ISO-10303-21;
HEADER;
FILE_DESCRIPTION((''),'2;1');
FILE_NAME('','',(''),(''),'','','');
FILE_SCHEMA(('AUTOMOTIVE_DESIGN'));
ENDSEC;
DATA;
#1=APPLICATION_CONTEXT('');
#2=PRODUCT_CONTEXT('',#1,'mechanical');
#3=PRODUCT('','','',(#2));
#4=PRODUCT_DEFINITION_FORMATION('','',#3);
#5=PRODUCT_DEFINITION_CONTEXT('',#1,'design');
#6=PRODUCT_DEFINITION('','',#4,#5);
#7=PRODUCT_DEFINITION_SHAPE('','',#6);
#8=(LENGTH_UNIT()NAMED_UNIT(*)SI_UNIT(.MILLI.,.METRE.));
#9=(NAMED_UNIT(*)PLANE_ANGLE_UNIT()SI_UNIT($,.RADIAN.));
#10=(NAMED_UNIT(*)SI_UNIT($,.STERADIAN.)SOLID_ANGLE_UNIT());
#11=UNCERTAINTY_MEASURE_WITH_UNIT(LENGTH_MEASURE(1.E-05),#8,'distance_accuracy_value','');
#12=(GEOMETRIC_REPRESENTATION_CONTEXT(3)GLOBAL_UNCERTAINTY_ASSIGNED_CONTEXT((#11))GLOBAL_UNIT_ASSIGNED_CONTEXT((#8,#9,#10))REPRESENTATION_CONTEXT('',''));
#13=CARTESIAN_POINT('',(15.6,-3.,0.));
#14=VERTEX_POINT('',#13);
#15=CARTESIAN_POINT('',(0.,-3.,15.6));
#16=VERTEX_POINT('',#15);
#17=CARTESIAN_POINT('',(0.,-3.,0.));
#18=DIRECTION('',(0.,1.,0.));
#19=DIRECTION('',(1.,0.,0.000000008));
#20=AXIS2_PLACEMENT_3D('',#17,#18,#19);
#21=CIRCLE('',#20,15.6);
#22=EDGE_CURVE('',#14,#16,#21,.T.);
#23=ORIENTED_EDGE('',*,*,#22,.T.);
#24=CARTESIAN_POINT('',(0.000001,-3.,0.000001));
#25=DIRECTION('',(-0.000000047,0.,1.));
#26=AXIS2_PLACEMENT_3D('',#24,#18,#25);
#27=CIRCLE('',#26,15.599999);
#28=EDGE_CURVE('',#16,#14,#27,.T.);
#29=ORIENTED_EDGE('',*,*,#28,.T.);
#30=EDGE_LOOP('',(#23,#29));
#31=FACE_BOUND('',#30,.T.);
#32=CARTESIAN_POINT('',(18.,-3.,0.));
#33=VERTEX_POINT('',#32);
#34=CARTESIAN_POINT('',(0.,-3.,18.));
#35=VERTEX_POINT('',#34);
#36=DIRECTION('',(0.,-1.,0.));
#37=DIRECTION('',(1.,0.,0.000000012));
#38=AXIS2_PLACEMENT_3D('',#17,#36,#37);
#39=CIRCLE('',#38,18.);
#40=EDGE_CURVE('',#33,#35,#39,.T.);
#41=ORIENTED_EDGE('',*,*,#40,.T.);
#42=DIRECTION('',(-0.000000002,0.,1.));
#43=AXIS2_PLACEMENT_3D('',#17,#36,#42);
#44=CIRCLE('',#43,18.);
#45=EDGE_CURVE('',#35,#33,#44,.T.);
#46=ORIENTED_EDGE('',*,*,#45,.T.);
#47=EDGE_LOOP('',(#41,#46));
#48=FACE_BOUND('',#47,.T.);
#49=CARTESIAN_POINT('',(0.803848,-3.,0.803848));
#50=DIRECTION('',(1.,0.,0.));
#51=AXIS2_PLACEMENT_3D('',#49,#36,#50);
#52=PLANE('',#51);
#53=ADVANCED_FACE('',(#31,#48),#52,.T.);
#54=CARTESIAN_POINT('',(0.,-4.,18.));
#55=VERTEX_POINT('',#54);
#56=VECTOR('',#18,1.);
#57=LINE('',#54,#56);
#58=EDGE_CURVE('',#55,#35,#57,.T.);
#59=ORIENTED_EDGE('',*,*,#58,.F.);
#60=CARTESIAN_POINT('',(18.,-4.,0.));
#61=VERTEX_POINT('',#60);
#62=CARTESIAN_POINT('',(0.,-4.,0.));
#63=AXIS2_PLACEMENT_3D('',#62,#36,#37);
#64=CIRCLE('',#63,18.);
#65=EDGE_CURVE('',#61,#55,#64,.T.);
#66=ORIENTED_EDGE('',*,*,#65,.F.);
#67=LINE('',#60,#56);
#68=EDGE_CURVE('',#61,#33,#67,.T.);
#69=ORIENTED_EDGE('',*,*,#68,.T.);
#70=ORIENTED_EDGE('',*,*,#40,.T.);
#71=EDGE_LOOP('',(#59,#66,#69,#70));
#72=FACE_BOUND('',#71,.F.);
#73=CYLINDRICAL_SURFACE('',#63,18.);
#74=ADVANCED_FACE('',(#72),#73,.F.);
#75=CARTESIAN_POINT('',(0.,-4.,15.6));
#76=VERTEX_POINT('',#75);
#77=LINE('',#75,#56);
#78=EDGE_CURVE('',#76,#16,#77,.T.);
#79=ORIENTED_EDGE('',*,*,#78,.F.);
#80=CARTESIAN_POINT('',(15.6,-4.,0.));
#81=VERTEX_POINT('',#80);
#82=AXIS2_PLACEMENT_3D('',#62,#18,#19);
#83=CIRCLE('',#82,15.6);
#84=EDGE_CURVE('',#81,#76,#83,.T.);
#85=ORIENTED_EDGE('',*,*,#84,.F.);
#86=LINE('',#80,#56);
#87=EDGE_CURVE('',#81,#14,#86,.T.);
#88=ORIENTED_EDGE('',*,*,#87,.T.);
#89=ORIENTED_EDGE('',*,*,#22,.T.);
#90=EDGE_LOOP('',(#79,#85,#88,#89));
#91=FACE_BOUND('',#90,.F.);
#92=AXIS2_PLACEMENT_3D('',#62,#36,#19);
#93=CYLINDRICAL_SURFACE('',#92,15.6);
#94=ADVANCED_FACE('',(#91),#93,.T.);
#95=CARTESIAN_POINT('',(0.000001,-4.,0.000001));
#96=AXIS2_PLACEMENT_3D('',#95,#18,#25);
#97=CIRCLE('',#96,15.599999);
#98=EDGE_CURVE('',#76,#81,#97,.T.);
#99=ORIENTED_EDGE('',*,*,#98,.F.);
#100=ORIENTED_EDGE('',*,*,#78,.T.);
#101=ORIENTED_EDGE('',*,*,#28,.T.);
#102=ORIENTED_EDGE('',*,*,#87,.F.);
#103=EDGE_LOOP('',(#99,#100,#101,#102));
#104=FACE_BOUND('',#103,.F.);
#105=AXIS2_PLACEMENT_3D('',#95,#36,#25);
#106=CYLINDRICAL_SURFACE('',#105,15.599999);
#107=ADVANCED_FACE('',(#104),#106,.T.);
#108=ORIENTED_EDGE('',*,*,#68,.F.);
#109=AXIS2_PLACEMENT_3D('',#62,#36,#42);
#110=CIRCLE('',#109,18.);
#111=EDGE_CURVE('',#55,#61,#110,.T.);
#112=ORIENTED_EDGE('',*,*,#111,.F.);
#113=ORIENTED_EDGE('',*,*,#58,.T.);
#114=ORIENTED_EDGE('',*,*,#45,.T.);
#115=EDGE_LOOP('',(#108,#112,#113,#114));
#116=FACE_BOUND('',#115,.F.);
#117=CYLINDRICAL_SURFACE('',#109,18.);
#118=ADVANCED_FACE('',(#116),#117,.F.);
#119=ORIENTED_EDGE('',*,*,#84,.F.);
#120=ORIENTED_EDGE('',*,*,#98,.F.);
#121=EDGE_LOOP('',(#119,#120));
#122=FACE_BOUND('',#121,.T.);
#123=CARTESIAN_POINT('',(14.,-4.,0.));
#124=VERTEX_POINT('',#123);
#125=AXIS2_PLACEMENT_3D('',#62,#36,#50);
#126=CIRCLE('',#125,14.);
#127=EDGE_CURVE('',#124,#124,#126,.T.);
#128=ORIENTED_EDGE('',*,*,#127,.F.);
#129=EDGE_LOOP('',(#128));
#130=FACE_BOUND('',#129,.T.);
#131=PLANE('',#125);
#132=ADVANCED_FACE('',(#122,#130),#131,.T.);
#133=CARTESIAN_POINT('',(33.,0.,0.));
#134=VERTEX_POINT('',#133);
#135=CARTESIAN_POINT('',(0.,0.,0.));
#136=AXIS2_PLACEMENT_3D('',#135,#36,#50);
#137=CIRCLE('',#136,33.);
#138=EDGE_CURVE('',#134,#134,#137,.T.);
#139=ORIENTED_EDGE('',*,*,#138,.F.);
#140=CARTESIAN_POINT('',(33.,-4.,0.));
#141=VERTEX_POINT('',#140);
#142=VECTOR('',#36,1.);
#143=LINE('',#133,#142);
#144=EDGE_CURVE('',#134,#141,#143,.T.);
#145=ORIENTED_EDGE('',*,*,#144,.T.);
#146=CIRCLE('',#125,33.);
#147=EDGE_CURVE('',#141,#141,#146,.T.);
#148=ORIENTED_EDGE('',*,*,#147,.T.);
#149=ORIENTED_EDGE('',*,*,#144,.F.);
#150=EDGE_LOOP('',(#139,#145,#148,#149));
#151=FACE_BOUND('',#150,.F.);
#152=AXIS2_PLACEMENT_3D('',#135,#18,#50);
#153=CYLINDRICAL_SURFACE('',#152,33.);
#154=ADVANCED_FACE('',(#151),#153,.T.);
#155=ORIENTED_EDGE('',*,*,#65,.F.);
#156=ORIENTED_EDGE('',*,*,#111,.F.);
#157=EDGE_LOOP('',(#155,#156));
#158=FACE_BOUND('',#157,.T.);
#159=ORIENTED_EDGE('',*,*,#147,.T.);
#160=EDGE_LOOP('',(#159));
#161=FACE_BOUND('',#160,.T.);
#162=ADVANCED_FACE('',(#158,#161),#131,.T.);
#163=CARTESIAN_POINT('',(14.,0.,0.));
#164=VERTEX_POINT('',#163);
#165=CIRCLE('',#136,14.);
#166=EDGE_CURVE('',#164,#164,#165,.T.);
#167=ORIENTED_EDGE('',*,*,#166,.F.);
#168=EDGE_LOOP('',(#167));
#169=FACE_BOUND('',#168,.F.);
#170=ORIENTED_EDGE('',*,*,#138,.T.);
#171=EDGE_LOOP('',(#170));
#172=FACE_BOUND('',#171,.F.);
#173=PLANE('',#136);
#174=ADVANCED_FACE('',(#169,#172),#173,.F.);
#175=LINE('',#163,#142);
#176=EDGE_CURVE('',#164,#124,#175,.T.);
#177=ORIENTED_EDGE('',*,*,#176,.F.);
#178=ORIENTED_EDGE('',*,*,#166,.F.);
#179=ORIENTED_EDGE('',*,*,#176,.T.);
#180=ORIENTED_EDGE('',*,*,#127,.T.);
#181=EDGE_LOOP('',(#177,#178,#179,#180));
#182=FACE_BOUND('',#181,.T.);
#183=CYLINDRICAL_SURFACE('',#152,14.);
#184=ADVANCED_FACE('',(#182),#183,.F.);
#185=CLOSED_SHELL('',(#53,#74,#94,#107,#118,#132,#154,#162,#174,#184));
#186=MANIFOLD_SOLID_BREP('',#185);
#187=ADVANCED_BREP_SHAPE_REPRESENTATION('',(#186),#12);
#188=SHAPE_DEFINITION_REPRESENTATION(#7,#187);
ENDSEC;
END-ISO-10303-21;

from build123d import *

# Parameters (mm, degrees)
F0_R     = 33
F0_R_2   = 14
F1_DEPTH = 4
F3_DEPTH = 1


with BuildPart() as f1:
    # F0 (on Front) → F1 (new body)
    with BuildSketch(Plane.XZ):
        Circle(F0_R)
        Circle(F0_R_2, mode=Mode.SUBTRACT)
    extrude(amount=F1_DEPTH)

    # F2 (on face) → F3 (cut)
    with BuildSketch(Plane.XZ.offset(4)):
        with BuildLine():
            ThreePointArc((0, 18), (-12.727922, -12.727922), (18, 0))
            ThreePointArc((18, 0), (12.727922, 12.727922), (0, 18))
        make_face()
        with BuildLine():
            ThreePointArc((15.6, 0), (-11.030866, -11.030866), (0, 15.6))
            ThreePointArc((0, 15.6), (11.030866, 11.030866), (15.6, 0))
        make_face(mode=Mode.SUBTRACT)
    extrude(amount=-F3_DEPTH, mode=Mode.SUBTRACT)


solid = f1.part
